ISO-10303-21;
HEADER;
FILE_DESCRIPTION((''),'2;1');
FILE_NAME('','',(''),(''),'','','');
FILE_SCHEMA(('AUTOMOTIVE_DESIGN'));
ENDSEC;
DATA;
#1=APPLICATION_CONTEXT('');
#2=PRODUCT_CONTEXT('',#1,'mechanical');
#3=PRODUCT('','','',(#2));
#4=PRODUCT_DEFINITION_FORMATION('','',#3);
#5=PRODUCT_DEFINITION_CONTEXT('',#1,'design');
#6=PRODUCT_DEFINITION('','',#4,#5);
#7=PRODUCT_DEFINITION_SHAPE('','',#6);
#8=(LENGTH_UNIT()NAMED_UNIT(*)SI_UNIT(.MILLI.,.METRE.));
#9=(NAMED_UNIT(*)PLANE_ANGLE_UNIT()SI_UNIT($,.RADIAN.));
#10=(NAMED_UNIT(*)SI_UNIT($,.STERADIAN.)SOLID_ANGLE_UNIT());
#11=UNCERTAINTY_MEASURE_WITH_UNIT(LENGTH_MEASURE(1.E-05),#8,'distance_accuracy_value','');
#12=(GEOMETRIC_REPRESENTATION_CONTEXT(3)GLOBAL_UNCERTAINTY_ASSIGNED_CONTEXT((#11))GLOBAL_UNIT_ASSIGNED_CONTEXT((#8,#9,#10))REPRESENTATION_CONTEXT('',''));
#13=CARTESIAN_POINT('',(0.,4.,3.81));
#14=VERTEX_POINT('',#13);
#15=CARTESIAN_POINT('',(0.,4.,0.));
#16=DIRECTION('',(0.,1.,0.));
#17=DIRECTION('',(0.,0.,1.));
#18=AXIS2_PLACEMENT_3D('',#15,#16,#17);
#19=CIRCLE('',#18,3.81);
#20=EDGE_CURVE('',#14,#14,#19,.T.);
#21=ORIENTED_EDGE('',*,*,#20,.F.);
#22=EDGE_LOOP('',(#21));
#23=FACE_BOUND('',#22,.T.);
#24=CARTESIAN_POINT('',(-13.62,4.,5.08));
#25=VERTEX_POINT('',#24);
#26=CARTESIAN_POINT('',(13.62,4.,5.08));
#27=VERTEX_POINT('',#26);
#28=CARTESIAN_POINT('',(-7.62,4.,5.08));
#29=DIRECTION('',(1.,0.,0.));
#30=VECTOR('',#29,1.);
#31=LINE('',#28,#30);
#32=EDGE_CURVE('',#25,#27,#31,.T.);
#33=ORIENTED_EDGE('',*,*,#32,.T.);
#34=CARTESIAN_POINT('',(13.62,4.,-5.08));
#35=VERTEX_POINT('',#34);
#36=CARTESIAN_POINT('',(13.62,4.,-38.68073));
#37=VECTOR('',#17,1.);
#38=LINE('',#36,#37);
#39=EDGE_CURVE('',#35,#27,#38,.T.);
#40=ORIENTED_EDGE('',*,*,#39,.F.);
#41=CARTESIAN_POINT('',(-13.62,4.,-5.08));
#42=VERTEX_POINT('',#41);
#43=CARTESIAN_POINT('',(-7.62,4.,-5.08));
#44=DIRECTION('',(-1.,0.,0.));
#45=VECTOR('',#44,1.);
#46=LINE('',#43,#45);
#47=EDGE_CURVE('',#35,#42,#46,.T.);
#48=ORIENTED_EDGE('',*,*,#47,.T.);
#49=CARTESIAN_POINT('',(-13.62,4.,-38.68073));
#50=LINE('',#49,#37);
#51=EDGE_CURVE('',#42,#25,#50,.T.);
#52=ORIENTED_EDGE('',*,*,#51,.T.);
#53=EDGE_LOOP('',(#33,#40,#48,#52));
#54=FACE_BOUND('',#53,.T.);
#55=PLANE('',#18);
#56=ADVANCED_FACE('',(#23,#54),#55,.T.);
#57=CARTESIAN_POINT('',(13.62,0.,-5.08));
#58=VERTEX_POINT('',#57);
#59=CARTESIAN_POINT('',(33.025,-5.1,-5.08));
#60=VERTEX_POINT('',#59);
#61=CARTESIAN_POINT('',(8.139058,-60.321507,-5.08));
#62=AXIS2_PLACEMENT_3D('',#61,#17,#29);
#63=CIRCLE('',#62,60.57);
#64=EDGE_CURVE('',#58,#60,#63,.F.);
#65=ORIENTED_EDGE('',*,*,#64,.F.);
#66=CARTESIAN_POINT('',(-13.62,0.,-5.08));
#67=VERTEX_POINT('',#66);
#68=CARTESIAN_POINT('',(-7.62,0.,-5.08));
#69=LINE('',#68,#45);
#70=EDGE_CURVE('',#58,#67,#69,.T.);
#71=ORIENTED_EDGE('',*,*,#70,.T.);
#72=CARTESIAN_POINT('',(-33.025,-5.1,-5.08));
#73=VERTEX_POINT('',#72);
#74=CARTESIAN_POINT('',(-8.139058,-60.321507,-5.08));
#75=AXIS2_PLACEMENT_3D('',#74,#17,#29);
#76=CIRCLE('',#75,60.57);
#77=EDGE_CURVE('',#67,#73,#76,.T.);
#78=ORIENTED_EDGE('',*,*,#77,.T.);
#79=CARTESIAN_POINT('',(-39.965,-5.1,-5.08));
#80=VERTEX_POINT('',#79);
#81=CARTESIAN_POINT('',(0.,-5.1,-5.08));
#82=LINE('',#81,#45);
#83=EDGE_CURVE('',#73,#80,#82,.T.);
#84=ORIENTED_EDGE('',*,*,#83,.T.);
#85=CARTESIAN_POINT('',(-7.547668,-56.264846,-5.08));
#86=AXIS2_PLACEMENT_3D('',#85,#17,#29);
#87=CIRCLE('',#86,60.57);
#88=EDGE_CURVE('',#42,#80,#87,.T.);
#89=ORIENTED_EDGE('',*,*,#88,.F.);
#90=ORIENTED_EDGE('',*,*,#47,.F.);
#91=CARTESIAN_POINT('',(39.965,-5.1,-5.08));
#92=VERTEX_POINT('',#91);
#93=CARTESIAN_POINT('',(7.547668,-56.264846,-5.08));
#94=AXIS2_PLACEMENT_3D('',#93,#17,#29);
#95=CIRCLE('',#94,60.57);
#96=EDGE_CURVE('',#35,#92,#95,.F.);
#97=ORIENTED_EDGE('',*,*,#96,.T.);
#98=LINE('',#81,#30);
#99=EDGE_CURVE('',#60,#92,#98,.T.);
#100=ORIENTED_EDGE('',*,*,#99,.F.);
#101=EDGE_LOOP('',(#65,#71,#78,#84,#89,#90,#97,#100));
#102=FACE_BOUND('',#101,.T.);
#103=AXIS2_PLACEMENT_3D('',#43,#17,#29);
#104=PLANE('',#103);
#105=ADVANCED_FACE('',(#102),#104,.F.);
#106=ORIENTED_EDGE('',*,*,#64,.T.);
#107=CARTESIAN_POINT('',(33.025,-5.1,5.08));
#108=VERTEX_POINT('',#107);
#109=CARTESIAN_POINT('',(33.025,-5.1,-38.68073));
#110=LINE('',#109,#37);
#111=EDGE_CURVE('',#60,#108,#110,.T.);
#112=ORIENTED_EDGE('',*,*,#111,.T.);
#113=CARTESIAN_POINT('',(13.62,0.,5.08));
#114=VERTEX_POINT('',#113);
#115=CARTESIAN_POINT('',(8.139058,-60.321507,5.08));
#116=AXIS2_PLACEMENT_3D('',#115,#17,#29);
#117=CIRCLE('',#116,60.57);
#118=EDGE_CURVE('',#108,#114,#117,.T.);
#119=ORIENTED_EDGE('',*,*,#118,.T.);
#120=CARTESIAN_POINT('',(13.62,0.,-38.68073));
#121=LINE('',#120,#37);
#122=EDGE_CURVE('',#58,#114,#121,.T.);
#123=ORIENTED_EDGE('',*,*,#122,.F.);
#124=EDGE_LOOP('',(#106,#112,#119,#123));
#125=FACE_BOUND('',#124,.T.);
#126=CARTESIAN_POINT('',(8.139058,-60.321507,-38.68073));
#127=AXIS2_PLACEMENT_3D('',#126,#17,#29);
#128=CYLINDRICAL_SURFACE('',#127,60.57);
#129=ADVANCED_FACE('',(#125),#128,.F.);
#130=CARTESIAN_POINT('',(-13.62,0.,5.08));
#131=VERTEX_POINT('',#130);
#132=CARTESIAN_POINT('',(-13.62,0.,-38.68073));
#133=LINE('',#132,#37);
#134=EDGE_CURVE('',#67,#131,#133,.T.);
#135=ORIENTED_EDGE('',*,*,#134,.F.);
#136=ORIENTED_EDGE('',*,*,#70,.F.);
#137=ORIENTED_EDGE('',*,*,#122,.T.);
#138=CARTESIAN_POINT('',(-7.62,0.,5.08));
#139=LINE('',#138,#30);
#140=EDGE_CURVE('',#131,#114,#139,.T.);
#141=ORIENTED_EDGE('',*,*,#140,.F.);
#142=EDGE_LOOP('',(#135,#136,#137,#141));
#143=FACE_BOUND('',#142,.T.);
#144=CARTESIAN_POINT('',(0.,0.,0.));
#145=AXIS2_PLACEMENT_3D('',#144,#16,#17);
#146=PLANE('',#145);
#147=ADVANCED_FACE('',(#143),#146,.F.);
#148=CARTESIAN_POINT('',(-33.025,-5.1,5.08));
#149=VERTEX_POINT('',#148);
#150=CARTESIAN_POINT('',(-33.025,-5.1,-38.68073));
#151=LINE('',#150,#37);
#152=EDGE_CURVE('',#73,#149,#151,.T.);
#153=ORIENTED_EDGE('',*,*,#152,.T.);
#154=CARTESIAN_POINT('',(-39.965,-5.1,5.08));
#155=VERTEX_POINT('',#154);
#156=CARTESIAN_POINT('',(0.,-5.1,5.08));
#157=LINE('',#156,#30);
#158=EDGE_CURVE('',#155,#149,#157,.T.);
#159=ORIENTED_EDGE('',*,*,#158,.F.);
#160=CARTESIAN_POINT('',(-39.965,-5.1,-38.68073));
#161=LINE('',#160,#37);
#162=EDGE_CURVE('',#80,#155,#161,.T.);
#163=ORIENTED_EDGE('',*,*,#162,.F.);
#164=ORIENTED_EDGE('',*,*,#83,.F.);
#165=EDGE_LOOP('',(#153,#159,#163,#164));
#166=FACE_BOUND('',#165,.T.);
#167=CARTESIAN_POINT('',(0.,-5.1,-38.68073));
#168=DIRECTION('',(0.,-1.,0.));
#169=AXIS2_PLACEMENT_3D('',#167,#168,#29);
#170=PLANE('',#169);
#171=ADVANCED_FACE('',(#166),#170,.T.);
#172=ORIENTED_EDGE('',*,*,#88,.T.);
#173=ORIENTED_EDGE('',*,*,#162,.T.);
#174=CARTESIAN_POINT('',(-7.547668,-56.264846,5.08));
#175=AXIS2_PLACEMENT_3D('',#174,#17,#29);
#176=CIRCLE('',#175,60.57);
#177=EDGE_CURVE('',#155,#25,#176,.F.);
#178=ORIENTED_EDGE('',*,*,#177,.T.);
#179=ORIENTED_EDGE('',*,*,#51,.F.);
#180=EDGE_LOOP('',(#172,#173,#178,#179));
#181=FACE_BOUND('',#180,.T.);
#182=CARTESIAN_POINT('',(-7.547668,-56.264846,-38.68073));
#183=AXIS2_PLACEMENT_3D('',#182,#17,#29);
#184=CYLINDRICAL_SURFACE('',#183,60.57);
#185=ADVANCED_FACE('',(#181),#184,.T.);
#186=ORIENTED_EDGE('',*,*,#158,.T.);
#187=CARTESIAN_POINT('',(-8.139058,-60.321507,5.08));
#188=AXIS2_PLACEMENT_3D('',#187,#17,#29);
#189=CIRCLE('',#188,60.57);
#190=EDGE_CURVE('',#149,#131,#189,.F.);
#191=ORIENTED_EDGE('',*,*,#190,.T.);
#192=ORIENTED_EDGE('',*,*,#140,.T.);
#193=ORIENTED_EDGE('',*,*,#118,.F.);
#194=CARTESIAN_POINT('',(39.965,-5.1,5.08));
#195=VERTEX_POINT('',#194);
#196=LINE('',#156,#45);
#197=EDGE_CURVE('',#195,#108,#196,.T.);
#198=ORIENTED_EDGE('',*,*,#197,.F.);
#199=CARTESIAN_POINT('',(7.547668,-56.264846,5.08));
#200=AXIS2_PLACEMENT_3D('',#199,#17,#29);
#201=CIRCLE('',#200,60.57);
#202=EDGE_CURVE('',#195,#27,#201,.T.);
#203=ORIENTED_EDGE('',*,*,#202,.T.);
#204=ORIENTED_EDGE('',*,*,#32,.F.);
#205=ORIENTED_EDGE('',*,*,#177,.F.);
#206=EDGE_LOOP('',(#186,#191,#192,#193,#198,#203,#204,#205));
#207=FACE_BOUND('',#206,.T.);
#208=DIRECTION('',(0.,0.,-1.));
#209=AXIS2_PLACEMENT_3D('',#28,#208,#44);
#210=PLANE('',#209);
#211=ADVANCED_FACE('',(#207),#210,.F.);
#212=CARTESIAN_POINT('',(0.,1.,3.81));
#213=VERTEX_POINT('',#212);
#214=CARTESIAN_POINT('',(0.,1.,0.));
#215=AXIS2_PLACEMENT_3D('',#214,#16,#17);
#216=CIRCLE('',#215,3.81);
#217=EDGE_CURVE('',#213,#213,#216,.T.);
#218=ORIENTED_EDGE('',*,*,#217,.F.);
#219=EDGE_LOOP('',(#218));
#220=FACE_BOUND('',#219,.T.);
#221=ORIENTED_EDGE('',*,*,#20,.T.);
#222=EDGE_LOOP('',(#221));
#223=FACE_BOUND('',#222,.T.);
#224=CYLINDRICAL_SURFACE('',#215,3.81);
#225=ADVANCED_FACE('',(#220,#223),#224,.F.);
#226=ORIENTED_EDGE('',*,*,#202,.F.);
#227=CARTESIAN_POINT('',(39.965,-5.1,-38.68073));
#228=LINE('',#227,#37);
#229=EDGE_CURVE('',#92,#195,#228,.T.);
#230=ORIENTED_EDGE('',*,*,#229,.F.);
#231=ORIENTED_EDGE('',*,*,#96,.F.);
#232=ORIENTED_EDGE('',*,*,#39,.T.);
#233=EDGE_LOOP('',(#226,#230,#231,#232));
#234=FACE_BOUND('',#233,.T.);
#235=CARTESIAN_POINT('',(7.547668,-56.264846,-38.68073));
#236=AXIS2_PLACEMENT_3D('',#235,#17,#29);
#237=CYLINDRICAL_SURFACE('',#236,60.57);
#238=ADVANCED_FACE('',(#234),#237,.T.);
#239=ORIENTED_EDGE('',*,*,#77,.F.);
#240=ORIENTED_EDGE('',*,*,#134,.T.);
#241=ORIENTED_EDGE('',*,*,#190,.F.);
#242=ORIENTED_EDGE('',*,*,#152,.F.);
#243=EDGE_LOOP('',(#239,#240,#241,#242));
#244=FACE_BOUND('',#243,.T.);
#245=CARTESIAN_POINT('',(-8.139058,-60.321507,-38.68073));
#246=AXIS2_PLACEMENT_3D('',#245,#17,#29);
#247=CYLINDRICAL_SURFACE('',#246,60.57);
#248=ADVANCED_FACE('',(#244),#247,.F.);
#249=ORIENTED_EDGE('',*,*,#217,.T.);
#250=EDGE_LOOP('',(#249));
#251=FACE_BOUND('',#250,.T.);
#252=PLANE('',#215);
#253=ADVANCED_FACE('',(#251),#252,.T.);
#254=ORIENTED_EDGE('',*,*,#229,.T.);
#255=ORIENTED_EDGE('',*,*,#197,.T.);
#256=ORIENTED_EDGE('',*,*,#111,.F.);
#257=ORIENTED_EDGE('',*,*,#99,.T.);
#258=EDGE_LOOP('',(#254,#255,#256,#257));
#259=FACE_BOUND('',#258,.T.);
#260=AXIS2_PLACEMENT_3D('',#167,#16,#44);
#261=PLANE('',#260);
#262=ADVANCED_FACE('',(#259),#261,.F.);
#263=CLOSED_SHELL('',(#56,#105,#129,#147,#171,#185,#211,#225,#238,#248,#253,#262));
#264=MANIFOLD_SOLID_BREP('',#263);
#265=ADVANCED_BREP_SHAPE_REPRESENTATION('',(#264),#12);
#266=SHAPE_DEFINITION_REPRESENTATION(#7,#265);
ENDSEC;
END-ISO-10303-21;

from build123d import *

# Parameters (mm, degrees)
SKETCH1_W           = 15.24
SKETCH1_H           = 10.16
BOSS_EXTRUDE1_DEPTH = 4
BOSS_EXTRUDE2_DEPTH = 10.16
SKETCH3_R           = 3.81
CUT_EXTRUDE1_DEPTH  = 3


with BuildPart() as part:
    # Sketch1 → Boss-Extrude1 (new body)
    with BuildSketch(Plane(origin=(0, 0, 0), x_dir=(1, 0, 0), z_dir=(0, 1, 0))):
        Rectangle(SKETCH1_W, SKETCH1_H)
    extrude(amount=BOSS_EXTRUDE1_DEPTH)

    # Sketch2 → Boss-Extrude2 (add)
    with BuildSketch(Plane.XY.offset(5.08)):
        with BuildLine():
            Line((13.62, 4), (7.62, 4))
            Line((7.62, 4), (7.62, 0))
            Line((7.62, 0), (13.62, 0))
            ThreePointArc((13.62, 0), (23.535142279, -1.740916975), (33.025, -5.1))
            Line((33.025, -5.1), (39.965, -5.1))
            ThreePointArc((39.965, -5.1), (27.323058228, 0.985995221), (13.62, 4))
        make_face()
        with BuildLine():
            Line((-7.62, 0), (-7.62, 4))
            Line((-7.62, 4), (-13.62, 4))
            ThreePointArc((-13.62, 4), (-27.323058228, 0.985995221), (-39.965, -5.1))
            Line((-39.965, -5.1), (-33.025, -5.1))
            ThreePointArc((-33.025, -5.1), (-23.535142279, -1.740916975), (-13.62, 0))
            Line((-13.62, 0), (-7.62, 0))
        make_face()
    extrude(amount=-BOSS_EXTRUDE2_DEPTH)

    # Sketch3 → Cut-Extrude1 (cut)
    with BuildSketch(Plane(origin=(0, 4, 0), x_dir=(1, 0, 0), z_dir=(0, 1, 0))):
        Circle(SKETCH3_R)
    extrude(amount=-CUT_EXTRUDE1_DEPTH, mode=Mode.SUBTRACT)


solid = part.part
